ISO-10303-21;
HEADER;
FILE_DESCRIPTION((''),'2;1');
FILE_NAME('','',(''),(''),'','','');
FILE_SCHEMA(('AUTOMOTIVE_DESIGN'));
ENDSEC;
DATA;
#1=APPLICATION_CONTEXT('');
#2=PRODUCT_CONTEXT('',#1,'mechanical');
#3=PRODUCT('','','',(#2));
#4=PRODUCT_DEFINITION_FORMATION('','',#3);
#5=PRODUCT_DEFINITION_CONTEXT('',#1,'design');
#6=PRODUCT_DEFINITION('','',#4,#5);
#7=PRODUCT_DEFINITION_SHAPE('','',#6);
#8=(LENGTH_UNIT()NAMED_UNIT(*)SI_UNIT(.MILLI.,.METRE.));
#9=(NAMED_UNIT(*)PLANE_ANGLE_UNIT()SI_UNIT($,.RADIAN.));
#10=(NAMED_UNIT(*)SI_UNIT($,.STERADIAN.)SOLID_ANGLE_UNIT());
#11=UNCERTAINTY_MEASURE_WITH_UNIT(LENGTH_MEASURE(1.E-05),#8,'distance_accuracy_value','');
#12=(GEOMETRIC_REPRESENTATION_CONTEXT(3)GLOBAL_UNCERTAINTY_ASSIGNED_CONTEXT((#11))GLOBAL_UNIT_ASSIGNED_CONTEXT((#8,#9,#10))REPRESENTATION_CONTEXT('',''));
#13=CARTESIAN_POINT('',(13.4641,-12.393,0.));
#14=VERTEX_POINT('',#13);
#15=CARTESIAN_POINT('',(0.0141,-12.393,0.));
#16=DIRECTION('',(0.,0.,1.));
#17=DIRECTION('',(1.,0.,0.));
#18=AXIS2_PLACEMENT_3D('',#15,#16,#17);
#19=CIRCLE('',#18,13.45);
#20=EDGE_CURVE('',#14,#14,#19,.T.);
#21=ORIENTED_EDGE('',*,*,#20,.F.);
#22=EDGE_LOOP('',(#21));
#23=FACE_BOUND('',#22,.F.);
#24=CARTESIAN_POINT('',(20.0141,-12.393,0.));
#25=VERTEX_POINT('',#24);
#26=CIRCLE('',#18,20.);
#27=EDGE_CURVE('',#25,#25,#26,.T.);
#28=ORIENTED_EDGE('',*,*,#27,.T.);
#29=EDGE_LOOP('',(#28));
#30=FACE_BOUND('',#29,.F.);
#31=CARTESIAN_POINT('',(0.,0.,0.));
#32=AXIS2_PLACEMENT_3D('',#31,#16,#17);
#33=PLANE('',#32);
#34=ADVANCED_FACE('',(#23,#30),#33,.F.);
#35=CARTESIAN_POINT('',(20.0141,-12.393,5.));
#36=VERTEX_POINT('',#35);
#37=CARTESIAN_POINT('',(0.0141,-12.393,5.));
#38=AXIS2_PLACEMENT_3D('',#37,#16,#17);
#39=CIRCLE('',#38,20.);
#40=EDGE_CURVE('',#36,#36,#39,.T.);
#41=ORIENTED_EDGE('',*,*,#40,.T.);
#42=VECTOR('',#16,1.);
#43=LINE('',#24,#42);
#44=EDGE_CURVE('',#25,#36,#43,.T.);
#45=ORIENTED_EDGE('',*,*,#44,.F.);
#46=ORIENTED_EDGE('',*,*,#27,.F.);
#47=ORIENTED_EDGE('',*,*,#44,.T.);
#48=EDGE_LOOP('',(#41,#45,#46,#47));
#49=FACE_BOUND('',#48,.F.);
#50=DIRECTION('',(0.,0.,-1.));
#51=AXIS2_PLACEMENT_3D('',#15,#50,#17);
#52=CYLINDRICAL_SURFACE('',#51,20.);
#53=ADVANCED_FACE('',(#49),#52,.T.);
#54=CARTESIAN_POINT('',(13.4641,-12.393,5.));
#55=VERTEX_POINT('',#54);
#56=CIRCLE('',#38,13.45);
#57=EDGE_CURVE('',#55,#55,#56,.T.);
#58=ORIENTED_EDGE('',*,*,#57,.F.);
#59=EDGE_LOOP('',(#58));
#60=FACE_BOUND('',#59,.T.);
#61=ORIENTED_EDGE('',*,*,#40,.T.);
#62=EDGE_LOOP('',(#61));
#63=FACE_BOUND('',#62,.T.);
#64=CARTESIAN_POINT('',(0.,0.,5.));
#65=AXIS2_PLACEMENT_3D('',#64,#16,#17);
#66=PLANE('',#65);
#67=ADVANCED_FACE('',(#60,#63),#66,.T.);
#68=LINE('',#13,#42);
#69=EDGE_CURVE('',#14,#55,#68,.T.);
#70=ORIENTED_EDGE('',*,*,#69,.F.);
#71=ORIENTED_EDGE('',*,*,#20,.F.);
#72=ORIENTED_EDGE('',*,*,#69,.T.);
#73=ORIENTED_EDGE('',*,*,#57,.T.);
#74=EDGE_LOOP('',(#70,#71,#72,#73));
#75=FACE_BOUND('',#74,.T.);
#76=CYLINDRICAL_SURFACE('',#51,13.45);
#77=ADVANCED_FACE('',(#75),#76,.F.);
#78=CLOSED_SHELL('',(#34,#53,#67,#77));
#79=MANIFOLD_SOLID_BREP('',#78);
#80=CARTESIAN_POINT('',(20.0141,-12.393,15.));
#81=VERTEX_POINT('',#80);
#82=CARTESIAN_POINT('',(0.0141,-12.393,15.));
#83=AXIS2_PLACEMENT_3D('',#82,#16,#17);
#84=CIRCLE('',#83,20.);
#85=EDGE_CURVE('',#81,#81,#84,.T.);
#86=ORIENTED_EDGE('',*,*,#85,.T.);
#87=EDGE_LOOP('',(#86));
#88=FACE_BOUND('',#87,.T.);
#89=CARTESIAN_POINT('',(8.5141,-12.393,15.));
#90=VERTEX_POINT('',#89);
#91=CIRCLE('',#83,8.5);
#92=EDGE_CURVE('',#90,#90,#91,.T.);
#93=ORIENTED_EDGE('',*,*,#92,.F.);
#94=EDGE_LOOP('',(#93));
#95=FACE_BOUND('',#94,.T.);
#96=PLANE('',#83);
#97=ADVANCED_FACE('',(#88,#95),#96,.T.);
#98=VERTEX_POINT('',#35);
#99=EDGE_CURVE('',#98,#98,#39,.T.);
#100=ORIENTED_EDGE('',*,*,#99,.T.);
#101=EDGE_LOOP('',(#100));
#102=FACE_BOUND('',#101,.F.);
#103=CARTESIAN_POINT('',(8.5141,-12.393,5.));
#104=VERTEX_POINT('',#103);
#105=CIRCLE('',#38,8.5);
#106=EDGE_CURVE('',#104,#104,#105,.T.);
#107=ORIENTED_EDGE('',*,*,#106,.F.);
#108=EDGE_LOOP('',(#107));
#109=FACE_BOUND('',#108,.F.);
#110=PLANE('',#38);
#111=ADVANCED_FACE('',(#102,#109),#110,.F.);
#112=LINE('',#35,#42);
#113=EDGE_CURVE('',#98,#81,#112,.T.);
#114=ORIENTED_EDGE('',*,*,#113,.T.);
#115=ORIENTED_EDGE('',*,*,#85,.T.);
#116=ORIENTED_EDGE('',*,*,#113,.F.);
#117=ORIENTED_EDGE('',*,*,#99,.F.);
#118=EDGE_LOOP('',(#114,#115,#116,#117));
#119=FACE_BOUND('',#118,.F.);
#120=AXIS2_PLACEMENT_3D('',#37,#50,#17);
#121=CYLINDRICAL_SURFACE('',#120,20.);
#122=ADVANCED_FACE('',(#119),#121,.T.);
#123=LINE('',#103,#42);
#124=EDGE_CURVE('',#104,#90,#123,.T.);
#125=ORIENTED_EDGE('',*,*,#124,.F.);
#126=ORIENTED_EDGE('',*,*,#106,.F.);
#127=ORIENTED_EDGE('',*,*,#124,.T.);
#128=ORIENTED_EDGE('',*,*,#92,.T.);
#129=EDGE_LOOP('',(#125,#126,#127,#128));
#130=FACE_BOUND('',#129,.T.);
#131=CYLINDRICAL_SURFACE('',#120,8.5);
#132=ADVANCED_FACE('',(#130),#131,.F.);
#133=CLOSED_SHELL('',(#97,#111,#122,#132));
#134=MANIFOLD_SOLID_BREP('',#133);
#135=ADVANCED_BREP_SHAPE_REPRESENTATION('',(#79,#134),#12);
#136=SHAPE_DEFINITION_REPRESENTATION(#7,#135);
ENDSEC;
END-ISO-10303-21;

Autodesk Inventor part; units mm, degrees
ref_plane "YZ Plane" through (0, 0, 0) normal (1, 0, 0) x (0, 1, 0)
ref_plane "XZ Plane" through (0, 0, 0) normal (0, 1, 0) x (-1, 0, 0)
ref_plane "XY Plane" through (0, 0, 0) normal (0, 0, 1) x (1, 0, 0)
sketch "Эскиз1" plane through (0, 0, 0) normal (0, 0, 1) x (1, 0, 0)
  circle A0 centre (0.0141, -12.393) radius 20
  circle A1 centre (0.0141, -12.393) radius 13.45
  point P0 (0, 0)
  dimension "d0" = 40
  dimension "d1" = 26.9
extrude "Выдавливание1" add sketch "Эскиз1" along normal blind 5
sketch "Эскиз2" plane through (0.0141, -12.393, 5) normal (0, 0, 1) x (1, 0, 0)
  circle A0 centre (0, 0) radius 20
  circle A1 centre (0, 0) radius 8.5
  point P0 (-0.0141, 12.393)
  dimension "d4" = 17
extrude "Выдавливание2" add sketch "Эскиз2" along normal blind 10 separate body
properties part number "Гор. шарн. - проставка 1"
